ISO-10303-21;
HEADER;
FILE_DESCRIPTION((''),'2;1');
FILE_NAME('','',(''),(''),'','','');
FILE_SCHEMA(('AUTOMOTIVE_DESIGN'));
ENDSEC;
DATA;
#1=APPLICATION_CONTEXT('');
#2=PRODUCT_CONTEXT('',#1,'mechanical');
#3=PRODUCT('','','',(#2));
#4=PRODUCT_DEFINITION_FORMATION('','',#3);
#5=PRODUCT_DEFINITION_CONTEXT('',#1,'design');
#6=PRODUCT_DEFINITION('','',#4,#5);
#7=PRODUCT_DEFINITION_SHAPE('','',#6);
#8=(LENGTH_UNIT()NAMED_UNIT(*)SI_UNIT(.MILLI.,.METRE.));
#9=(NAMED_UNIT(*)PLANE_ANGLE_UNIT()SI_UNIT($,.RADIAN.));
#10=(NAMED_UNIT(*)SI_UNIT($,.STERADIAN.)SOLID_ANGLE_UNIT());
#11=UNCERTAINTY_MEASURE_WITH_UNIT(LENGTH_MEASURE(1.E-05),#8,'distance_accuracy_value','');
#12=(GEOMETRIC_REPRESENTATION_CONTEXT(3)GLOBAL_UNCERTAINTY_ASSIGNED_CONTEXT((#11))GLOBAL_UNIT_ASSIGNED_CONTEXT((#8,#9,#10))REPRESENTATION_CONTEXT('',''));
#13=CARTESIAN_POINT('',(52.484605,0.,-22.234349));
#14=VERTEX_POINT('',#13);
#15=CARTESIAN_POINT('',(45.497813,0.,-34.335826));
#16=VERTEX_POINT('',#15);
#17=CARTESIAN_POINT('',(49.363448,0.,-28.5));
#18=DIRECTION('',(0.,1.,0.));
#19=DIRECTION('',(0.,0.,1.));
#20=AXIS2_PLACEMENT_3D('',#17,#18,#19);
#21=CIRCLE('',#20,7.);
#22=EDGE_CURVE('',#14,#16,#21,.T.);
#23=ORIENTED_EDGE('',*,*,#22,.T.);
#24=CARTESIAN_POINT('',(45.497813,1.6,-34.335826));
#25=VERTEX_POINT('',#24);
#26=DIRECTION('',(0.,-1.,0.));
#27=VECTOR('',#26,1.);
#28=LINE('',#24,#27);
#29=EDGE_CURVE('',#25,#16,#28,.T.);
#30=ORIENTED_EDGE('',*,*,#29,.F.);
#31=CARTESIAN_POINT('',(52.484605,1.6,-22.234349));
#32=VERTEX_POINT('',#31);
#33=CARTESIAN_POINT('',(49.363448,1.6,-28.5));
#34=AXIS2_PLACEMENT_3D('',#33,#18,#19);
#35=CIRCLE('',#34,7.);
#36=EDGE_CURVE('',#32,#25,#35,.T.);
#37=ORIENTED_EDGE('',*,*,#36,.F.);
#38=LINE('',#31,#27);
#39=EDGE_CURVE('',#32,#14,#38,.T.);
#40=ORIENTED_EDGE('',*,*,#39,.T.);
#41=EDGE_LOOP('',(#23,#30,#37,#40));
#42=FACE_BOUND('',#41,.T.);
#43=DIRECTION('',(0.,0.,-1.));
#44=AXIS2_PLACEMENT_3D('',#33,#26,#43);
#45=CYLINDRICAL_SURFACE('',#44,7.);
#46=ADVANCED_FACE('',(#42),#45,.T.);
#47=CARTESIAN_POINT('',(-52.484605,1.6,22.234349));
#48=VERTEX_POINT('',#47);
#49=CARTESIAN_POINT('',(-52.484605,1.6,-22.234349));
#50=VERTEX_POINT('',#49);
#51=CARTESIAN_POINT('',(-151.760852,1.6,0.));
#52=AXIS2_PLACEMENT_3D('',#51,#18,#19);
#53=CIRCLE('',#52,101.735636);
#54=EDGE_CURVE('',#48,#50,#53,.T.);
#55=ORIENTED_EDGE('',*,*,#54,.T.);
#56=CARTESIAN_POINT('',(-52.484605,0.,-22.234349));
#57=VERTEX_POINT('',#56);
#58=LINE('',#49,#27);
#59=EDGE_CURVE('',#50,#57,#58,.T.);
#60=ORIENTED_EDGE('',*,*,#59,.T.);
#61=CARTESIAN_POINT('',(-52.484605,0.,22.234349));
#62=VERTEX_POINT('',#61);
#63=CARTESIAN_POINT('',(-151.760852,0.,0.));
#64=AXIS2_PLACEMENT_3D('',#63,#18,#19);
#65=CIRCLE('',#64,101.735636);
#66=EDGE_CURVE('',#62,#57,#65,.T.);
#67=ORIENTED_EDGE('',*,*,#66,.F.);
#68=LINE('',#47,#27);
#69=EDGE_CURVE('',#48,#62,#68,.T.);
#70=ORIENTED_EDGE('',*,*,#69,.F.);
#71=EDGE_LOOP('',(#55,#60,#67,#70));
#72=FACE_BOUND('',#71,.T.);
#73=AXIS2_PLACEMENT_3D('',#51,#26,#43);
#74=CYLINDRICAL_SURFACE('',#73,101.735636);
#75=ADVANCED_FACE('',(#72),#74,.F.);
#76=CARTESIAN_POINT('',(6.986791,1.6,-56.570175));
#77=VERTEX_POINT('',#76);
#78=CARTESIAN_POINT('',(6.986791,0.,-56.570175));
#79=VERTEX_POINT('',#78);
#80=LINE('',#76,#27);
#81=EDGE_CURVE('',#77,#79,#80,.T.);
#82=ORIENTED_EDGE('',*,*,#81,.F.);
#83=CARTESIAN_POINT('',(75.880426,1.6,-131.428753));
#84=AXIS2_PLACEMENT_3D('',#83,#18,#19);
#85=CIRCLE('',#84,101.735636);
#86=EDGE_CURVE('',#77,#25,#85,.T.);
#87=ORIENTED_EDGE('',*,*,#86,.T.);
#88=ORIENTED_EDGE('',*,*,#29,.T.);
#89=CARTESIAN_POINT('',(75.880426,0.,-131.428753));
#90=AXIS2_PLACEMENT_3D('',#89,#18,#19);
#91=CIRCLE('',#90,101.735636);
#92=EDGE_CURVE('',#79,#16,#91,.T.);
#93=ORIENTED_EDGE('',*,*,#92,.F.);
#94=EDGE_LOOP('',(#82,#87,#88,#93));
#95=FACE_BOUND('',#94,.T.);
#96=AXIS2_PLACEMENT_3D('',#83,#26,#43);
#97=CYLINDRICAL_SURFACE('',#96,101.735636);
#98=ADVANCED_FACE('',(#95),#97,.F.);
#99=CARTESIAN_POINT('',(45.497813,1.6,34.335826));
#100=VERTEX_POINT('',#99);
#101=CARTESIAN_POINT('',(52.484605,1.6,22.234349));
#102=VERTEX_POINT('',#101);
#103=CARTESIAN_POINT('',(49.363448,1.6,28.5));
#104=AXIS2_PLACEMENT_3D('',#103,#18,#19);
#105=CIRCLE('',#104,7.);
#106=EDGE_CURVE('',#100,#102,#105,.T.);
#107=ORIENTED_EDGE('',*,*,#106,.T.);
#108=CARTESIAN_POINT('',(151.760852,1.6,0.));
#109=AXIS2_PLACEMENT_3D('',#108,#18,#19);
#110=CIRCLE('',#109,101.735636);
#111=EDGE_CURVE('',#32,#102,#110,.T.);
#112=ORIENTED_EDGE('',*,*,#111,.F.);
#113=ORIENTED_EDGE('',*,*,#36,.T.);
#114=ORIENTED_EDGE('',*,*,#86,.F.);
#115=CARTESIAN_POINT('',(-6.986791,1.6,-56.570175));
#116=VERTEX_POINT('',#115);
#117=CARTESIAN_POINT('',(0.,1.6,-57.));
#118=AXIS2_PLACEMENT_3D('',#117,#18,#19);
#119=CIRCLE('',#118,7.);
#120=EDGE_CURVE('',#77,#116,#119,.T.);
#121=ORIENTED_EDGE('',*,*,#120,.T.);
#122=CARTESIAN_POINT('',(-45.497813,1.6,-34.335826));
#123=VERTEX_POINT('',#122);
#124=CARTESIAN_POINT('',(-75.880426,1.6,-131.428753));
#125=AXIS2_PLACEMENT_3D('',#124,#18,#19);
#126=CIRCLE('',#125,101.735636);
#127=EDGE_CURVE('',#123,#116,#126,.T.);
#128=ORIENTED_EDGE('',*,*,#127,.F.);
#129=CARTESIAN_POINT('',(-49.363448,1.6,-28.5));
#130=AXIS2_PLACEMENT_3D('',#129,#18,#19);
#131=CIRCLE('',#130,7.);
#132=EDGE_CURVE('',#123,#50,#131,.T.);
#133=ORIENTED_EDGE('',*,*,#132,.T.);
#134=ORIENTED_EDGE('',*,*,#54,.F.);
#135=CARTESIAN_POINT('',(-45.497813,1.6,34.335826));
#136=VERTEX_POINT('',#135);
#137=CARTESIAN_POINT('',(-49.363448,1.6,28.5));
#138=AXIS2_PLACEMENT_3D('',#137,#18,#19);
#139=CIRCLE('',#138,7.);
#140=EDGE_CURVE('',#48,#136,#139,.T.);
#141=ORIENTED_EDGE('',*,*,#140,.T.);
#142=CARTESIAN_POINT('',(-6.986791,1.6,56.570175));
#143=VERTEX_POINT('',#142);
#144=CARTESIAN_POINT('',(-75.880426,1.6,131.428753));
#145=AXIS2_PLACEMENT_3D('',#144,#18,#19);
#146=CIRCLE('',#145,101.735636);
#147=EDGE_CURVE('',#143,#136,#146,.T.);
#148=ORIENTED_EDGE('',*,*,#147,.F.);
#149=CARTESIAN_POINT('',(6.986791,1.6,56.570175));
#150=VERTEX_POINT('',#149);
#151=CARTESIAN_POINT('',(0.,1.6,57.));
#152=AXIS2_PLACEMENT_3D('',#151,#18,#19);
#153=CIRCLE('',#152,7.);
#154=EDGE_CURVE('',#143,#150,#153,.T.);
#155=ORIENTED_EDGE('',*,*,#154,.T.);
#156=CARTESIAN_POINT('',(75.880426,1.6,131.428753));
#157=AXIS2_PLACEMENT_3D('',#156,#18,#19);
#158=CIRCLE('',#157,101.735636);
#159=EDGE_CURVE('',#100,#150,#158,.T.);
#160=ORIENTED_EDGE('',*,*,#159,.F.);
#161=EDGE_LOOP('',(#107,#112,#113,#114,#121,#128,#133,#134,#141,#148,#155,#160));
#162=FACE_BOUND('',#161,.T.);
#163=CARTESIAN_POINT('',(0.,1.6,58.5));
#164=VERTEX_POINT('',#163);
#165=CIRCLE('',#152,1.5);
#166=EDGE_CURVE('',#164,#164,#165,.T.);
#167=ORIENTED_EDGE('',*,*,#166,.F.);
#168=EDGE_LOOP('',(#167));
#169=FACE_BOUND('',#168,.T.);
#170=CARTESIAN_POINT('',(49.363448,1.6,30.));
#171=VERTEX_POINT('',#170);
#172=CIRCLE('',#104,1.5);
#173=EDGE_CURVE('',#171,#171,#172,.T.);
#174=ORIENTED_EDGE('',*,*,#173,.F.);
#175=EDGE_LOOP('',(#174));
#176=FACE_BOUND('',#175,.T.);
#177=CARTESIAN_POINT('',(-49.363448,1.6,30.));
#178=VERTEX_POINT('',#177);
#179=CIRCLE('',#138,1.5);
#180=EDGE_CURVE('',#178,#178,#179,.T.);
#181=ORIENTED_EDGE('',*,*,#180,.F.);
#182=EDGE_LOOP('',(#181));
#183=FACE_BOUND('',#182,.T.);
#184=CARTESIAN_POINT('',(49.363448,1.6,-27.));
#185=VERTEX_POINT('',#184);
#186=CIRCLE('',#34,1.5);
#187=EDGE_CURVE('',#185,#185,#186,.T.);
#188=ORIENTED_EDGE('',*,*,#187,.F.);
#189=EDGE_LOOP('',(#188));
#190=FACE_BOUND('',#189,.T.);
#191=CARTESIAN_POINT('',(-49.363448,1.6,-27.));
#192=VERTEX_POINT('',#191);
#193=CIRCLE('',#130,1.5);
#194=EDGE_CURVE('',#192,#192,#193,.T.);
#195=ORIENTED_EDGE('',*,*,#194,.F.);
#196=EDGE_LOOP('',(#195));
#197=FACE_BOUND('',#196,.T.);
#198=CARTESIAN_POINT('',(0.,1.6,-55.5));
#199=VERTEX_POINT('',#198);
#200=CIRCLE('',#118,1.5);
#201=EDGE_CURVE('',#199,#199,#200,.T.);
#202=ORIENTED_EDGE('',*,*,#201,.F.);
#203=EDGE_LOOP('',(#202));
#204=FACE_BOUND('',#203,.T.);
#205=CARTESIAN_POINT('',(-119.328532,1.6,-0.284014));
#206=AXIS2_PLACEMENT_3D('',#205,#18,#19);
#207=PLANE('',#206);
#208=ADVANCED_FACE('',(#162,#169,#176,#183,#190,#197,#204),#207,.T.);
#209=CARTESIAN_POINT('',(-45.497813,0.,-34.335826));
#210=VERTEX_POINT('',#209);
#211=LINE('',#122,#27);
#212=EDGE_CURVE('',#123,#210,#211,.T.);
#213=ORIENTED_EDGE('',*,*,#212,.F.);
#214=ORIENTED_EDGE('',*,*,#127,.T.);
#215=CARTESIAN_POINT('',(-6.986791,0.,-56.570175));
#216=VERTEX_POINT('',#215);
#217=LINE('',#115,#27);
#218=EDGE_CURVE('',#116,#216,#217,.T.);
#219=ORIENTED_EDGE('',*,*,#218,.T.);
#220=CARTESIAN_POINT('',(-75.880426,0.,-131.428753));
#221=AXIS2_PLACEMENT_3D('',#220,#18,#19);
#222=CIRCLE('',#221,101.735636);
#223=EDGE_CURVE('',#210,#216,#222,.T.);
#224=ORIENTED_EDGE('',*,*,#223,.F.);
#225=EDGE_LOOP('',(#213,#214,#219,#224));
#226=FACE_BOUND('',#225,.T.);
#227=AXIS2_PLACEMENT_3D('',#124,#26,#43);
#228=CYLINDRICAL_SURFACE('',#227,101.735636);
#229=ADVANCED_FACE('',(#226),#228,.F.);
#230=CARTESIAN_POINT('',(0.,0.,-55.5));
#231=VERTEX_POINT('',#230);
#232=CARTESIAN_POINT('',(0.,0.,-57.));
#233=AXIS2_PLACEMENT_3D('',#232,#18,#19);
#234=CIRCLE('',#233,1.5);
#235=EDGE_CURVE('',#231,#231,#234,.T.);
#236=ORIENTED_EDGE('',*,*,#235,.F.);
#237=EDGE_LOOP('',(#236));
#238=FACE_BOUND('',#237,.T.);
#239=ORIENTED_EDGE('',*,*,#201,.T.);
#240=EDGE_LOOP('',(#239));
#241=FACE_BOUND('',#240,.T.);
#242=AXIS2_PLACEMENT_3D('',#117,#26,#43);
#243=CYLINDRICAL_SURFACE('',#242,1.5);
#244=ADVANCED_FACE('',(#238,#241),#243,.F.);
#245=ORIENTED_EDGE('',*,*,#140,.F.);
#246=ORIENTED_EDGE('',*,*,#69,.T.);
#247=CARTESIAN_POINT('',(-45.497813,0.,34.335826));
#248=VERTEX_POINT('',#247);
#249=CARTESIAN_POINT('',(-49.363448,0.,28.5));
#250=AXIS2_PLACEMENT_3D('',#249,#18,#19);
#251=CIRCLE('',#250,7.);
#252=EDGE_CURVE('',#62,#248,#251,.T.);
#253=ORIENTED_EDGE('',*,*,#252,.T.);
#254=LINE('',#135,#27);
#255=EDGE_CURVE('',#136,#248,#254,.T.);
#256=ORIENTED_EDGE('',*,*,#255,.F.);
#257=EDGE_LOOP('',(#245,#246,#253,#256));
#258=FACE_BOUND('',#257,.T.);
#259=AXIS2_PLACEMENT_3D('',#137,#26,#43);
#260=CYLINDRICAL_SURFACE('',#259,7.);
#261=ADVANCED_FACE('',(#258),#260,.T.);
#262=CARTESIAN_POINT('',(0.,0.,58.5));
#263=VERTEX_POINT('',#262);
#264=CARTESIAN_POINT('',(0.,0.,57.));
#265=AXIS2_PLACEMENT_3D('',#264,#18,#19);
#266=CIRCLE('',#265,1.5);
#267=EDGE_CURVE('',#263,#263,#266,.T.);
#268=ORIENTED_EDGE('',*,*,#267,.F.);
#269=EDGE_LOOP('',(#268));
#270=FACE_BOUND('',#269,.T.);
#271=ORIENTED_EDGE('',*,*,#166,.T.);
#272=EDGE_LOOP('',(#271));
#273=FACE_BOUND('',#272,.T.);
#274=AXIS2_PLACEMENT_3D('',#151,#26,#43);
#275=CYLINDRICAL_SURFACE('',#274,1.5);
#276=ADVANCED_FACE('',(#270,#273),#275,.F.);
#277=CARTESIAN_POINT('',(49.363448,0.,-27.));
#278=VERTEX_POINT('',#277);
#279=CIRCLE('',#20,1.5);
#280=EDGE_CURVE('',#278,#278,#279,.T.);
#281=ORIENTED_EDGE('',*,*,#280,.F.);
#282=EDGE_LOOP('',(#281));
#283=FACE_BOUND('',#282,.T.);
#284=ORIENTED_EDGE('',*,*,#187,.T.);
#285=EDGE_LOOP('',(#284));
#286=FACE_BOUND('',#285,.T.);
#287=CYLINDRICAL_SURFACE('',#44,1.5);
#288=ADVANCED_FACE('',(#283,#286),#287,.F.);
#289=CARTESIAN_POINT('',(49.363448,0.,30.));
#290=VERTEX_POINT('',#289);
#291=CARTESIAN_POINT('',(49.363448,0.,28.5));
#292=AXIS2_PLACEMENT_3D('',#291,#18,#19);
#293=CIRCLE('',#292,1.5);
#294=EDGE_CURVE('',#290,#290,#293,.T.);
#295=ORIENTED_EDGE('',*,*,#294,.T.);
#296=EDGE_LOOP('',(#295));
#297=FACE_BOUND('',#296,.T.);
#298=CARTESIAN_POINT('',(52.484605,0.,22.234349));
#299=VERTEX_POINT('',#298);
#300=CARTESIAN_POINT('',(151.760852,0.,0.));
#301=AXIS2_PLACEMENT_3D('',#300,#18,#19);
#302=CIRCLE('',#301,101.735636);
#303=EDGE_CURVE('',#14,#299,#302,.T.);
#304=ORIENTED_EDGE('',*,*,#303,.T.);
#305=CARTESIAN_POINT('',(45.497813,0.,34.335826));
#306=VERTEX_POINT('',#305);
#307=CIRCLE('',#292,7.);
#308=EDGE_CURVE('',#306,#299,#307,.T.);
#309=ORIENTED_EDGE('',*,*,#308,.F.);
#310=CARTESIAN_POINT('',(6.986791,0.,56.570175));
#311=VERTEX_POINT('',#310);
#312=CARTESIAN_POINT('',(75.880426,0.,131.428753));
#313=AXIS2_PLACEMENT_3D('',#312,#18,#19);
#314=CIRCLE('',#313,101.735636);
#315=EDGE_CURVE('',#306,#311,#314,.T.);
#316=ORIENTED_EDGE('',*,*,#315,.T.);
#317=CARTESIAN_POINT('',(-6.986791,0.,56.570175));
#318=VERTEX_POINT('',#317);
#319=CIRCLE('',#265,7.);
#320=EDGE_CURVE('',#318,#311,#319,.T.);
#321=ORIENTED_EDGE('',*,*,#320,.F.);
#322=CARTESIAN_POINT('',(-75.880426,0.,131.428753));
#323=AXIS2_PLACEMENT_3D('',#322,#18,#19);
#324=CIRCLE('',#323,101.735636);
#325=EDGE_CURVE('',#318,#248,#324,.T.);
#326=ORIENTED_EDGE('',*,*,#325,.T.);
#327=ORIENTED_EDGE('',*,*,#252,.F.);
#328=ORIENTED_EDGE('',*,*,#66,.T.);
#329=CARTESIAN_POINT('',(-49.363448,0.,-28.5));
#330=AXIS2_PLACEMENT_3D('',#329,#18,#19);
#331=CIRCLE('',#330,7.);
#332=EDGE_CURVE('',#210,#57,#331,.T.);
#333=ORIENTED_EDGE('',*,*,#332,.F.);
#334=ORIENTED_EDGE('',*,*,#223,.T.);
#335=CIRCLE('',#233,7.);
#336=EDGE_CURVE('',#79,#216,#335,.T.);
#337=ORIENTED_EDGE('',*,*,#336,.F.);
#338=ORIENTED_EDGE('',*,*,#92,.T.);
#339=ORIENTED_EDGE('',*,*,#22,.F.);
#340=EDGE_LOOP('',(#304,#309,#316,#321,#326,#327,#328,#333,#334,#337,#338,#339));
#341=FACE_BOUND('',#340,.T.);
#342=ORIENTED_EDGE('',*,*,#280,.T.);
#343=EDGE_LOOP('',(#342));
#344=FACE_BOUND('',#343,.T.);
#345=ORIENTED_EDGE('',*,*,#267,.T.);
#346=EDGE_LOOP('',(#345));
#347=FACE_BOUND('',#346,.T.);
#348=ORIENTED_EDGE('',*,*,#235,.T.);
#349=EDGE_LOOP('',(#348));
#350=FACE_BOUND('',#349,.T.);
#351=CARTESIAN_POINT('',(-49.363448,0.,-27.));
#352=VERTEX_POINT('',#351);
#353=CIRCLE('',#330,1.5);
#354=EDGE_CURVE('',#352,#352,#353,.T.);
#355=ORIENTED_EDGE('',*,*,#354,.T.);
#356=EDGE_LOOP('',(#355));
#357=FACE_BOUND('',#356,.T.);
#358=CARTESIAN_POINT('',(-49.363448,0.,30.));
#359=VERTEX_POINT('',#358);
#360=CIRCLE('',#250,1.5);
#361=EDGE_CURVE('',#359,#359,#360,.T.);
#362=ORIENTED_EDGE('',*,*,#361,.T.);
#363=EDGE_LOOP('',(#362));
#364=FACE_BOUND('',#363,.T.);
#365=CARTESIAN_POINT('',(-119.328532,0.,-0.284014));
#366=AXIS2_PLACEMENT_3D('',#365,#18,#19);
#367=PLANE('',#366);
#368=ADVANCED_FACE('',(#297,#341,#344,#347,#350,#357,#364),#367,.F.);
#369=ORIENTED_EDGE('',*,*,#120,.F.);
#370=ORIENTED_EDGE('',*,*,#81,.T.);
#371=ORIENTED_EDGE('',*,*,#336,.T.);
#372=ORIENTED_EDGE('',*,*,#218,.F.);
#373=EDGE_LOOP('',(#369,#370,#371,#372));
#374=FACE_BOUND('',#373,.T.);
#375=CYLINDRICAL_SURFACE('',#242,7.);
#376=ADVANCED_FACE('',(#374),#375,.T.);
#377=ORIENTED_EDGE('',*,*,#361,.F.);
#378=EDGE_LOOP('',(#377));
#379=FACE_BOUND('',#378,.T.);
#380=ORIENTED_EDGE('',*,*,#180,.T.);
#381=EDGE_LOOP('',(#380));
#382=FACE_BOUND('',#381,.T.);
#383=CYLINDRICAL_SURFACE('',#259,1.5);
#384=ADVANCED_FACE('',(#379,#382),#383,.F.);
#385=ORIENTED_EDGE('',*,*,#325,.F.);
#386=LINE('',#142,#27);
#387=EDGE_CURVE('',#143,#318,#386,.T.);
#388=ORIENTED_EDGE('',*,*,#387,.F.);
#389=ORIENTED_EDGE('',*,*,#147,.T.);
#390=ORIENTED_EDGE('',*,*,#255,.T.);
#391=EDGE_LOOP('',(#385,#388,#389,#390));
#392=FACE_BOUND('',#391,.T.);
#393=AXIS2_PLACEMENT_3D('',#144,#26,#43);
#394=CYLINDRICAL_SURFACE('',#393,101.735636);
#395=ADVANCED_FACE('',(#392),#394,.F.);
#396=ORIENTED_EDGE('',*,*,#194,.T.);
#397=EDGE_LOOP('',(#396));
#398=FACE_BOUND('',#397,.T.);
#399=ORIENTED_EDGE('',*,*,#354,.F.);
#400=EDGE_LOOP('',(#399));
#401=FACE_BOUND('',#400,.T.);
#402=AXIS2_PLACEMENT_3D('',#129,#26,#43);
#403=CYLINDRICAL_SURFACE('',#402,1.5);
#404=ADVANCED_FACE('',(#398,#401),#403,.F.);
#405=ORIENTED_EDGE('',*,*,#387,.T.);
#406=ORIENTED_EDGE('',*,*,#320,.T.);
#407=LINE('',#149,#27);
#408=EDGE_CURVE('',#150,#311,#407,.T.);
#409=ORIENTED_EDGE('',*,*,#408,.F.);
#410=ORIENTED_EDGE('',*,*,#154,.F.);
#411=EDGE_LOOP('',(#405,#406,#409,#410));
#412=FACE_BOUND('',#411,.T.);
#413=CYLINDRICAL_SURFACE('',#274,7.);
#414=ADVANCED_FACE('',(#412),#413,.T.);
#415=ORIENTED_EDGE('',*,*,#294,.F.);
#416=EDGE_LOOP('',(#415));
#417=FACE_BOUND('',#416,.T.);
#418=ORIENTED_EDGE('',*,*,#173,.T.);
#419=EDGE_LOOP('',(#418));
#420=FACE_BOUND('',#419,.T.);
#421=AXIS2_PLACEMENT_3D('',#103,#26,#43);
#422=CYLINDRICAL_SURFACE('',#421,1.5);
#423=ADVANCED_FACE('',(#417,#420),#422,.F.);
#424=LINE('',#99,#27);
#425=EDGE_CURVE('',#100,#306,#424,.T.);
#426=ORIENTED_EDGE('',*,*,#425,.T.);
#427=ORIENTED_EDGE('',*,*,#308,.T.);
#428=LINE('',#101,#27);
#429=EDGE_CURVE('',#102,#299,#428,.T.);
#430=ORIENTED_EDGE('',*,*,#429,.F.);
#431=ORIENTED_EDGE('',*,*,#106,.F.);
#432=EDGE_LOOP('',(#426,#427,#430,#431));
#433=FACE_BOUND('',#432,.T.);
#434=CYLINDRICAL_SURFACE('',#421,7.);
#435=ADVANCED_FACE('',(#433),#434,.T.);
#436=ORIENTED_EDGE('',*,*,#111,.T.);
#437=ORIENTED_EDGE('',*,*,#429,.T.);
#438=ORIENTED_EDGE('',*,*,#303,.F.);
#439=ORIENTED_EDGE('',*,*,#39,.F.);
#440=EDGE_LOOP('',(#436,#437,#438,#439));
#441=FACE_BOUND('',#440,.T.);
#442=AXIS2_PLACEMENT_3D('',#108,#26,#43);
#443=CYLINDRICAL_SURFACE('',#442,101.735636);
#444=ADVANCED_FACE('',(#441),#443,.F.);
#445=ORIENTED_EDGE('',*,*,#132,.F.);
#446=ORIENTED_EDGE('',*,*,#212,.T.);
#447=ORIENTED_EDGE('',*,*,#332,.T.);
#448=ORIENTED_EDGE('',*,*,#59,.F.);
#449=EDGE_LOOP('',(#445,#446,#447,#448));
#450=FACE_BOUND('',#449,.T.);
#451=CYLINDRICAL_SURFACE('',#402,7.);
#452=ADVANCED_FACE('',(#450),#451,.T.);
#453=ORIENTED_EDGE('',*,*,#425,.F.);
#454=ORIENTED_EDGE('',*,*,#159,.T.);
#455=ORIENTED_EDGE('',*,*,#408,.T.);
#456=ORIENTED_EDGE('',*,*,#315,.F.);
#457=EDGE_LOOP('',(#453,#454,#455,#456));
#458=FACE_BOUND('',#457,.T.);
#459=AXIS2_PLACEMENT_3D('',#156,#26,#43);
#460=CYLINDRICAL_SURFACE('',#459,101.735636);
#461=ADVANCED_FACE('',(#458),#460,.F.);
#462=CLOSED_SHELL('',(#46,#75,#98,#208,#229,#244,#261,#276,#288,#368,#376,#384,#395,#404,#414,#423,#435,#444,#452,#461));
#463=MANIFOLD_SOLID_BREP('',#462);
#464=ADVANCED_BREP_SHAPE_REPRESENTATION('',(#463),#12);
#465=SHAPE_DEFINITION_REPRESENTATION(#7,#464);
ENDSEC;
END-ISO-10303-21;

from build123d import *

# Parameters (mm, degrees)
ESBO_O1_R                = 1.5
RESSALTO_EXTRUS_O1_DEPTH = 1.6


with BuildPart() as part:
    # Esboço1 → Ressalto-extrusão1 (new body)
    with BuildSketch(Plane(origin=(0, 0, 0), x_dir=(1, 0, 0), z_dir=(0, 1, 0))):
        with BuildLine():
            ThreePointArc((-52.484604611, -22.234349076), (-50.025216279, 0), (-52.484604611, 22.234349076))
            ThreePointArc((-52.484604611, 22.234349076), (-55.425625842, 32), (-45.497813442, 34.335826363))
            ThreePointArc((-45.497813442, 34.335826363), (-25.01260814, 43.323108128), (-6.98679117, 56.570175439))
            ThreePointArc((-6.98679117, 56.570175439), (0, 64), (6.98679117, 56.570175439))
            ThreePointArc((6.98679117, 56.570175439), (25.01260814, 43.323108128), (45.497813442, 34.335826363))
            ThreePointArc((45.497813442, 34.335826363), (55.425625842, 32), (52.484604611, 22.234349076))
            ThreePointArc((52.484604611, 22.234349076), (50.025216279, 0), (52.484604611, -22.234349076))
            ThreePointArc((52.484604611, -22.234349076), (55.425625842, -32), (45.497813442, -34.335826363))
            ThreePointArc((45.497813442, -34.335826363), (25.01260814, -43.323108128), (6.98679117, -56.570175439))
            ThreePointArc((6.98679117, -56.570175439), (0, -64), (-6.98679117, -56.570175439))
            ThreePointArc((-6.98679117, -56.570175439), (-25.01260814, -43.323108128), (-45.497813442, -34.335826363))
            ThreePointArc((-45.497813442, -34.335826363), (-55.425625842, -32), (-52.484604611, -22.234349076))
        make_face()
        with Locations(Location((-49.363448016, 28.5, 0), (0, 0, 270))):
            Circle(ESBO_O1_R, mode=Mode.SUBTRACT)
        with Locations(Location((-49.363448016, -28.5, 0), (0, 0, 270))):
            Circle(ESBO_O1_R, mode=Mode.SUBTRACT)
        with Locations(Location((0, -57, 0), (0, 0, 270))):
            Circle(ESBO_O1_R, mode=Mode.SUBTRACT)
        with Locations(Location((49.363448016, -28.5, 0), (0, 0, 270))):
            Circle(ESBO_O1_R, mode=Mode.SUBTRACT)
        with Locations(Location((49.363448016, 28.5, 0), (0, 0, 270))):
            Circle(ESBO_O1_R, mode=Mode.SUBTRACT)
        with Locations(Location((0, 57, 0), (0, 0, 270))):
            Circle(ESBO_O1_R, mode=Mode.SUBTRACT)
    extrude(amount=RESSALTO_EXTRUS_O1_DEPTH)


solid = part.part
